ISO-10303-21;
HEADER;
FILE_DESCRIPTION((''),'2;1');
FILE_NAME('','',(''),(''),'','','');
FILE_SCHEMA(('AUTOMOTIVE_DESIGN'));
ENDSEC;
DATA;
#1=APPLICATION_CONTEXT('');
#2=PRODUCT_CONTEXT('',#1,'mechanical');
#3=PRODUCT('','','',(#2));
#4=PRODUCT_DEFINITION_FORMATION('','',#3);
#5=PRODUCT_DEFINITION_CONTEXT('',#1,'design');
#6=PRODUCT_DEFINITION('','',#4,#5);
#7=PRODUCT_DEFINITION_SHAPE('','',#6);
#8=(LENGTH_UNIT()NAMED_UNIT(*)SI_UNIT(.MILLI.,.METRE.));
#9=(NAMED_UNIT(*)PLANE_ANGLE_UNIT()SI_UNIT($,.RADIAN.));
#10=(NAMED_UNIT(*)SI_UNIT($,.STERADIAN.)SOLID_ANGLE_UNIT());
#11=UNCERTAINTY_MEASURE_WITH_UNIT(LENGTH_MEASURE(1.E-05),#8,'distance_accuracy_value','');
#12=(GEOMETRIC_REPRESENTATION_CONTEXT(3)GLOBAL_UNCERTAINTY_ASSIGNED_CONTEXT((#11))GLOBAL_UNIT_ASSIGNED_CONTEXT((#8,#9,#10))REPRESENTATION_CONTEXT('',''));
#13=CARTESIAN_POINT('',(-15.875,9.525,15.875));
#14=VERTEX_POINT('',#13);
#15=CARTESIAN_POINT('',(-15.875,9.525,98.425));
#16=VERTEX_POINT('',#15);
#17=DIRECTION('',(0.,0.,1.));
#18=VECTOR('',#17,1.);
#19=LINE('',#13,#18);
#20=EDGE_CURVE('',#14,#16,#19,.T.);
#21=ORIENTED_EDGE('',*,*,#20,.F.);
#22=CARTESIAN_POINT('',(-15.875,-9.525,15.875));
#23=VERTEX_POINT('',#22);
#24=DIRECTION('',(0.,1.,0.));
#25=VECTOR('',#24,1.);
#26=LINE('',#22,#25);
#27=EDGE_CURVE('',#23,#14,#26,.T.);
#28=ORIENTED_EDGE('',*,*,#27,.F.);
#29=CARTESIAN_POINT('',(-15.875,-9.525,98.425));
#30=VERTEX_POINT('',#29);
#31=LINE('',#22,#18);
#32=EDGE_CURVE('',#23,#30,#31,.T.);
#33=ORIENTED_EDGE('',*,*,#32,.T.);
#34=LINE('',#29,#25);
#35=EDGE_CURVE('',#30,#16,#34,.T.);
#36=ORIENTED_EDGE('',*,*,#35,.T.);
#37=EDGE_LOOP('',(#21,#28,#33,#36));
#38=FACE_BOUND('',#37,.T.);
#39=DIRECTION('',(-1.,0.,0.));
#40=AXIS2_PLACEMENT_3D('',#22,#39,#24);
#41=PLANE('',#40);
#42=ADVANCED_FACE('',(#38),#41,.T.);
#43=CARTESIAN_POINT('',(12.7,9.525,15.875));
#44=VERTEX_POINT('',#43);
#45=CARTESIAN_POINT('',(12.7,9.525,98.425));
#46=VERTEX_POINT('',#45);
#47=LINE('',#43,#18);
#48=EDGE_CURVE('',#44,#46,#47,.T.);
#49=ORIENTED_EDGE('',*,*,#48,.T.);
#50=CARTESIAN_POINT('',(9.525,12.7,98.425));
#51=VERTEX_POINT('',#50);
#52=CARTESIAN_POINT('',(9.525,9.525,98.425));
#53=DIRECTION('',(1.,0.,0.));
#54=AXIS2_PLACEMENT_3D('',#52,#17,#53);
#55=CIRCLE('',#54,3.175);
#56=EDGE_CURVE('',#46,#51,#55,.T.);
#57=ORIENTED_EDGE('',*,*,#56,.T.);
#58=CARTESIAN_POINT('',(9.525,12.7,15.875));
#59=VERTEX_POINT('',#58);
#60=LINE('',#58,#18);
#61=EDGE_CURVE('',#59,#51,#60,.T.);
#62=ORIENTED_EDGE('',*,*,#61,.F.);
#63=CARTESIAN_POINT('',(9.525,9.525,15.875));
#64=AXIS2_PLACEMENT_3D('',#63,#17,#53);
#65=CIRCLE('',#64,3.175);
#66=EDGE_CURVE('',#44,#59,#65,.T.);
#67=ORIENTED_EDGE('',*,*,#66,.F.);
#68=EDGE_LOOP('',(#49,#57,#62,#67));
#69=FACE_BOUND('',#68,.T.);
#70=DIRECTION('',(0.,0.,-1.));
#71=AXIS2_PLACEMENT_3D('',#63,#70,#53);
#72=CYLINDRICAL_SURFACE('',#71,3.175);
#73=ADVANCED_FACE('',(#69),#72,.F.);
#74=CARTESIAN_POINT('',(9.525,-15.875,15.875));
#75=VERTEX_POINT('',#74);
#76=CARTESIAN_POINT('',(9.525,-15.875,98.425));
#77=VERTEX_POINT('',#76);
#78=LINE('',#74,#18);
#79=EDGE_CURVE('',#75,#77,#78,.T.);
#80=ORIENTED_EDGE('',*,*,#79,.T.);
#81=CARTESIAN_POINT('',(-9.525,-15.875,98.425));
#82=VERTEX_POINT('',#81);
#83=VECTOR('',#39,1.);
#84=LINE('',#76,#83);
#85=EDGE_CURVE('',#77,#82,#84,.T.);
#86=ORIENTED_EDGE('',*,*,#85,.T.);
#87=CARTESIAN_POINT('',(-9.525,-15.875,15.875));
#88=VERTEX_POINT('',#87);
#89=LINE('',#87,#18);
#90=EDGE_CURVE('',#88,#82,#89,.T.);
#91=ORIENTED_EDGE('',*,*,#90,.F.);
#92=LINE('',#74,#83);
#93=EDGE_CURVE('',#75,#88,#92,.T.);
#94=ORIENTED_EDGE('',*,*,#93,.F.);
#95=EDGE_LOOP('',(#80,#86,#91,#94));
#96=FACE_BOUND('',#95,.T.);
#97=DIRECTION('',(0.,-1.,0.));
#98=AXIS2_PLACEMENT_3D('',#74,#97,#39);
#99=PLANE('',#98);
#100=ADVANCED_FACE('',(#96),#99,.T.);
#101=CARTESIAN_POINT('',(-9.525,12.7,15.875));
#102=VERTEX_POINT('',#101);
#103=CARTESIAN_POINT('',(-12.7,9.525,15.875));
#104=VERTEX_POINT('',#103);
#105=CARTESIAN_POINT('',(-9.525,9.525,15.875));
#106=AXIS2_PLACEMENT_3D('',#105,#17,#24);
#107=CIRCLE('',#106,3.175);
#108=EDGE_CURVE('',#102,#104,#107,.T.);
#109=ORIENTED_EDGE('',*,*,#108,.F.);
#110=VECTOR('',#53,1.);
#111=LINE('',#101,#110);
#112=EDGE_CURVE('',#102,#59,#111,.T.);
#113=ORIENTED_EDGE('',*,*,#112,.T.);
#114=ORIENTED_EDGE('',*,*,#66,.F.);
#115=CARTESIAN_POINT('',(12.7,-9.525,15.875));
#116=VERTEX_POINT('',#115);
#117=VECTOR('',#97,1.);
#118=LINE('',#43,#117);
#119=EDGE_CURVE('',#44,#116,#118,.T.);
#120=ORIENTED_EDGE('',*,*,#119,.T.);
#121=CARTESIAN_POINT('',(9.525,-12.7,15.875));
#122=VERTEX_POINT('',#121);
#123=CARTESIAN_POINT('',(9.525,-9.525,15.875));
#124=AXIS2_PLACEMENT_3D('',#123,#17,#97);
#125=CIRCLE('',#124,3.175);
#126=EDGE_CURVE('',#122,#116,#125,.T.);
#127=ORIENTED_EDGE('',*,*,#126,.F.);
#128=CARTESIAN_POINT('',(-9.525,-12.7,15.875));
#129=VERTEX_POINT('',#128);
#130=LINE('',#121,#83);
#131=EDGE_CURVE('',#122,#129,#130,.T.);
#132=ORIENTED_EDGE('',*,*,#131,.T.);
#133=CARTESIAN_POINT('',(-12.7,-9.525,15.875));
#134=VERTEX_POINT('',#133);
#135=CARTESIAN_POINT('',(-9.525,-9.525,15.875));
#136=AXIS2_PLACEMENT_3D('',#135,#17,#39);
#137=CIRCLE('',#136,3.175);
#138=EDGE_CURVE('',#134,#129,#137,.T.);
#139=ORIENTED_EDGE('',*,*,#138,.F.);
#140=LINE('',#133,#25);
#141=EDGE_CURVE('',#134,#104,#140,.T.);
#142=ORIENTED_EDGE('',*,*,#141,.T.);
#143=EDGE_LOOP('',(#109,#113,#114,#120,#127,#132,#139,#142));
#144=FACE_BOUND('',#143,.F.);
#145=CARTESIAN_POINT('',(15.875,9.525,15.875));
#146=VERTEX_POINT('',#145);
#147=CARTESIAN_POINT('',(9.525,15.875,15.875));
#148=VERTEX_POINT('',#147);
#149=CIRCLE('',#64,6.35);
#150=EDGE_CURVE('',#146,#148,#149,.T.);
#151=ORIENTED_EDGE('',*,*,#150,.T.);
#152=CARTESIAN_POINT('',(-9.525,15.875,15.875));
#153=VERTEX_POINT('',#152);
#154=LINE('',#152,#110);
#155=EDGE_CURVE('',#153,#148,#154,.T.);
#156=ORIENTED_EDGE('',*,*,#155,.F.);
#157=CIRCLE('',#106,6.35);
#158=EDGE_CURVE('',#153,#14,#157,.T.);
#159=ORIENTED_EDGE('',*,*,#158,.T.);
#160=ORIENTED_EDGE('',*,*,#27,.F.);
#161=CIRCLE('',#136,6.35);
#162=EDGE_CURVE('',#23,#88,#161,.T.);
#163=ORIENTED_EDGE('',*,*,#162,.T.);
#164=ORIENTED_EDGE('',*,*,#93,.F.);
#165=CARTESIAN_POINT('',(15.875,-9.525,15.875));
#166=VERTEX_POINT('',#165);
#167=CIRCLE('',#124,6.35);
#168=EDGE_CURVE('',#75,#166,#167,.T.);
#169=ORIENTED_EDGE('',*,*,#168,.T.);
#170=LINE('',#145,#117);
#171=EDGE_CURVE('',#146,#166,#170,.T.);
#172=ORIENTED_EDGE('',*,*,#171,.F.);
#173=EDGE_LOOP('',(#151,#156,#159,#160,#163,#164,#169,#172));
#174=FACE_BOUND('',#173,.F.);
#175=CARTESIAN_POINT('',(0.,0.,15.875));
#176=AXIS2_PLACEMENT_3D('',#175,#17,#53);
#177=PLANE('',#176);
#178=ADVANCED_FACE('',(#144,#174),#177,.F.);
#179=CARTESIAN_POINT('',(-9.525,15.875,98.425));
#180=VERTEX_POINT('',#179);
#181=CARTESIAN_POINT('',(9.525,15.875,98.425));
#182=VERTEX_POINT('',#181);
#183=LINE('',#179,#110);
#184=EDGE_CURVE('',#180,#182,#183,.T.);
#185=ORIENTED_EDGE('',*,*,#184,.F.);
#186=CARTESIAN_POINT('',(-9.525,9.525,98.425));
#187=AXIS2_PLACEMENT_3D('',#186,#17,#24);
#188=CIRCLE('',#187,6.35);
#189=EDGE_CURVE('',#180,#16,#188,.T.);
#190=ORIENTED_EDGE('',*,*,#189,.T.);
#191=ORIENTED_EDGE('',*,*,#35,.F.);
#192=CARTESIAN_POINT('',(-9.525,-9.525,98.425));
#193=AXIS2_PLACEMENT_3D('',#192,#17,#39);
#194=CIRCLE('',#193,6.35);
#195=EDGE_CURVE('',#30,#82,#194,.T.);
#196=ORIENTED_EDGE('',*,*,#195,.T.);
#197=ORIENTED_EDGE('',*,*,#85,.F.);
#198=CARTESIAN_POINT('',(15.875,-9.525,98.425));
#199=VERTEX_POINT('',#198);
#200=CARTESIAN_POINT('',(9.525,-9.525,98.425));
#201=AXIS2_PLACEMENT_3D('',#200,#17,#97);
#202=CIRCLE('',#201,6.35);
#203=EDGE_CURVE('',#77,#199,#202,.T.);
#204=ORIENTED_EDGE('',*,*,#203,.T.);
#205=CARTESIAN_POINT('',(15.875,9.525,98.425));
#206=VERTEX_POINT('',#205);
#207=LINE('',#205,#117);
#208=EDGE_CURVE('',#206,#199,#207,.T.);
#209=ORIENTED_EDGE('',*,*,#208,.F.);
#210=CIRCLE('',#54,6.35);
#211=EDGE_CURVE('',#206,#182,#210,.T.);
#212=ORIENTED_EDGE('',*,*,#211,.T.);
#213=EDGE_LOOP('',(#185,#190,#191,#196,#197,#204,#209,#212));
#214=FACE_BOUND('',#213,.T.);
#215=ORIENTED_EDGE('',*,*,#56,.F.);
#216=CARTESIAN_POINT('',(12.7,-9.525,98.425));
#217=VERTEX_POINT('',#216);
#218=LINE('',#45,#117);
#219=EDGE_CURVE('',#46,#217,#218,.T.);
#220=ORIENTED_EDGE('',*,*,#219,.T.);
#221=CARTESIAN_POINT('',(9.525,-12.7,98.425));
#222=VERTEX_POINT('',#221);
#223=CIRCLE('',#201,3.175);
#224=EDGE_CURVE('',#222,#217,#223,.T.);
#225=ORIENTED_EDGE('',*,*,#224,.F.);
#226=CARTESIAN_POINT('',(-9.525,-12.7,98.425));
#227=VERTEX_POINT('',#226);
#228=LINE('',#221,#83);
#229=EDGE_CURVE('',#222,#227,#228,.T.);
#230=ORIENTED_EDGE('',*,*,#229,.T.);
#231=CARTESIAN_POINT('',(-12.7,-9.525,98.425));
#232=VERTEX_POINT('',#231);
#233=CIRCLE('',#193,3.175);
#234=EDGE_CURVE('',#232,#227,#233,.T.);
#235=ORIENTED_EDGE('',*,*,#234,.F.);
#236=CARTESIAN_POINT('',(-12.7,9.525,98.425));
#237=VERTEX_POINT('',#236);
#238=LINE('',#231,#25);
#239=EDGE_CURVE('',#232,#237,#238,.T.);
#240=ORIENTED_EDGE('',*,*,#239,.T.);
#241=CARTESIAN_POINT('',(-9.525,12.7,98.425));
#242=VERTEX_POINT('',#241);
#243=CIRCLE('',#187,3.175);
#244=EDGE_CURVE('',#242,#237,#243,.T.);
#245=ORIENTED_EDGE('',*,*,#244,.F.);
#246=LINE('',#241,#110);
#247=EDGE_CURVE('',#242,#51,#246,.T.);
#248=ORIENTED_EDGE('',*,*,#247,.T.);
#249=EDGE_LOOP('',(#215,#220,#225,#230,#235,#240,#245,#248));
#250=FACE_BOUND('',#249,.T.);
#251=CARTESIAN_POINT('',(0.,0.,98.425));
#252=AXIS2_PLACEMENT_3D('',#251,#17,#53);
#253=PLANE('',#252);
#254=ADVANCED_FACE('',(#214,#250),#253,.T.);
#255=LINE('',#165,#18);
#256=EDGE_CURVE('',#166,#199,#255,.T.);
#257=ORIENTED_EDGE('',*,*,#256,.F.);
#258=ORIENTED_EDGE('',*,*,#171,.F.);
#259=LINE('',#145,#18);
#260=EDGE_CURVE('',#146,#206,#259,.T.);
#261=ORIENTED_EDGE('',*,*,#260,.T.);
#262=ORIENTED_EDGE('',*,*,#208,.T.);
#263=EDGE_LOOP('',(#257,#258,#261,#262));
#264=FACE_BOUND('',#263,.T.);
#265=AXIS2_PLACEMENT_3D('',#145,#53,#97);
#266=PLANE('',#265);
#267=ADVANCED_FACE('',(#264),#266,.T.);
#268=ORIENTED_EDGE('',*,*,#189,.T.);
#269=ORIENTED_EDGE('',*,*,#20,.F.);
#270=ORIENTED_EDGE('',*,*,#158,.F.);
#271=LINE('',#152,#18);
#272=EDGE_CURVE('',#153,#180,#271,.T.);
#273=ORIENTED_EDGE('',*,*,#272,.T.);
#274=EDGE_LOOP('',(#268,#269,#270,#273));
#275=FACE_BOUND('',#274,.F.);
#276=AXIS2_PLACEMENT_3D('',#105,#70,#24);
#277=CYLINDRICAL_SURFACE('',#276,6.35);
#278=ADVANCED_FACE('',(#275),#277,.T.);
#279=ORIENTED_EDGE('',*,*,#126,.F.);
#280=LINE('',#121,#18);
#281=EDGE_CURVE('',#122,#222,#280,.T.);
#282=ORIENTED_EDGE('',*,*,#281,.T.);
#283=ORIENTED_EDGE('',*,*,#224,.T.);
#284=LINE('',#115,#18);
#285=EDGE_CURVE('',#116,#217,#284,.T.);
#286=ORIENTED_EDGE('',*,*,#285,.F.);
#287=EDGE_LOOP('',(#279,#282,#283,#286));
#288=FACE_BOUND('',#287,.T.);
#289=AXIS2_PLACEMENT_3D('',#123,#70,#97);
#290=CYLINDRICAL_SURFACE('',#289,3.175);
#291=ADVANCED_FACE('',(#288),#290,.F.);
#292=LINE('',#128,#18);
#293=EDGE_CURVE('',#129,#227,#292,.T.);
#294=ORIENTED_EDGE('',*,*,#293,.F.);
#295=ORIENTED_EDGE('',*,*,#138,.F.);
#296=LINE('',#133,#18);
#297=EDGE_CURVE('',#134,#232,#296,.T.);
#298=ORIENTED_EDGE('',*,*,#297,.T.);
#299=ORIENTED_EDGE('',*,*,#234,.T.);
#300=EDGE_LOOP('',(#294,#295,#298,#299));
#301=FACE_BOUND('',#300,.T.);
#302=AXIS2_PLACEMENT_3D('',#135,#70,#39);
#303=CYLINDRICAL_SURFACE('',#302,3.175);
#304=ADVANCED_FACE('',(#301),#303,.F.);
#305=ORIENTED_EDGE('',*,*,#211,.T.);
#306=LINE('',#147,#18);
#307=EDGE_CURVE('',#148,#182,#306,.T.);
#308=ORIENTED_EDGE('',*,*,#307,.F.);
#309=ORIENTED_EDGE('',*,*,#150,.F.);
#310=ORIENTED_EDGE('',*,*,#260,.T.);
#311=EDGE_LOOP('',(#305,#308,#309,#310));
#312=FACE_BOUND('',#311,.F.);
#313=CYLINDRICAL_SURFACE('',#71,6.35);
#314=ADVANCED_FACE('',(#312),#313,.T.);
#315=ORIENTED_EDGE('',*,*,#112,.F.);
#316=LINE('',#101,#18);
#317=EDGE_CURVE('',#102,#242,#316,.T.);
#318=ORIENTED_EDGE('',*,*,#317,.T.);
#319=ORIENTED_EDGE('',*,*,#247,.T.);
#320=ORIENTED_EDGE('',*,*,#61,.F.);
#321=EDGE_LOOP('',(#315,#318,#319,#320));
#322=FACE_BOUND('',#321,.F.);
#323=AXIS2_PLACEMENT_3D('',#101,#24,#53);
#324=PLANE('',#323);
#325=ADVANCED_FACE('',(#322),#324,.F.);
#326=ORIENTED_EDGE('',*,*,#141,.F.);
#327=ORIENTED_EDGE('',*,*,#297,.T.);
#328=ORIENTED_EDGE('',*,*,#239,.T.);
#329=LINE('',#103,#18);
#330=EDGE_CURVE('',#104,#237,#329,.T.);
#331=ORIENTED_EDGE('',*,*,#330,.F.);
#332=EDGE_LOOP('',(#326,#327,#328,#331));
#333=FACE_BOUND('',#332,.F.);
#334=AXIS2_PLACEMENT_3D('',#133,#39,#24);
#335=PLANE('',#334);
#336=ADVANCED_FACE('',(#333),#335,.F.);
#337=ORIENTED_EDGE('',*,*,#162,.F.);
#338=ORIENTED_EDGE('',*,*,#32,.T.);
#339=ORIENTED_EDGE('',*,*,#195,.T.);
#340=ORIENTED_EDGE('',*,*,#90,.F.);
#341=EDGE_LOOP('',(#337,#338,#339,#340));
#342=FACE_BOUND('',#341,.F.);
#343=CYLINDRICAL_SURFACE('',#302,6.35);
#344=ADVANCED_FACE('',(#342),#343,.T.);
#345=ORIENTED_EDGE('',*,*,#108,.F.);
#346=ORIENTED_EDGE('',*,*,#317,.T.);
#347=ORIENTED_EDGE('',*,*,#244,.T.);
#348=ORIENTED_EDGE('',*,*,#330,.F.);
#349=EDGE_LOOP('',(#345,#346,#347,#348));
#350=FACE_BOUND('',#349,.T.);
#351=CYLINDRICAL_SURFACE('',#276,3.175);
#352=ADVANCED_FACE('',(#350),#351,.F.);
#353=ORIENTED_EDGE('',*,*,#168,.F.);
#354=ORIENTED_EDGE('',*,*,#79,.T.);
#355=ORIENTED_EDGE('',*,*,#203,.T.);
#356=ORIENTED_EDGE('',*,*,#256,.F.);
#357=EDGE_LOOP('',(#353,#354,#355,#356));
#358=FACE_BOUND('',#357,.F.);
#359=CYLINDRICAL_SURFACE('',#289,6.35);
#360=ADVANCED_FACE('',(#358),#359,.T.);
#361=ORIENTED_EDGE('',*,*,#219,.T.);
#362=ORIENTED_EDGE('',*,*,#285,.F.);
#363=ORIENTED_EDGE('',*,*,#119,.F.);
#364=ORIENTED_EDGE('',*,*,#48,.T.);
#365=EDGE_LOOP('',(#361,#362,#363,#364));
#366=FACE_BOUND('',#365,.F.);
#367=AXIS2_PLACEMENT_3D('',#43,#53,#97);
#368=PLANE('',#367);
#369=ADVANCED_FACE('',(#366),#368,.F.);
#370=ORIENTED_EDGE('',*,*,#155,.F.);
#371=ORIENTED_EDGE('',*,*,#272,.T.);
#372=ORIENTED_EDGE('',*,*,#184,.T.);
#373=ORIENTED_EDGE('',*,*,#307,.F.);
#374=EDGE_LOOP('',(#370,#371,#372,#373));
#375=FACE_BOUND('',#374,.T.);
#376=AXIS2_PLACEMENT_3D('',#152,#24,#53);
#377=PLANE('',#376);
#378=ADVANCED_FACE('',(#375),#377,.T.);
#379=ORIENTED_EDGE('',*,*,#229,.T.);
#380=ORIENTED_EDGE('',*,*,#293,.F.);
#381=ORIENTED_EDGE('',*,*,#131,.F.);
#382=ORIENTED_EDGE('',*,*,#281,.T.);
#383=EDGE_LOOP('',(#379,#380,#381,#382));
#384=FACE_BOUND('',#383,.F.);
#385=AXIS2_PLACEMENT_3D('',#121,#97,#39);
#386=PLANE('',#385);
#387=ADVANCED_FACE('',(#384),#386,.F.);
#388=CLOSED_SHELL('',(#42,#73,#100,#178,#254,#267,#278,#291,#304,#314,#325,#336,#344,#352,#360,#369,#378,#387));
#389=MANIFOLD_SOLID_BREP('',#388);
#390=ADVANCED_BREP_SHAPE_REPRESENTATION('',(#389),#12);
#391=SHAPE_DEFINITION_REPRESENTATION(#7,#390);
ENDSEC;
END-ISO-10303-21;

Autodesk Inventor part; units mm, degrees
ref_plane "Start plane" through (0, 0, 15.875) normal (0, 0, 1) x (1, 0, 0)
ref_plane "End plane" through (0, 0, 98.425) normal (0, 0, 1) x (1, 0, 0)
sketch "Sketch" plane through (0, 0, 0) normal (0, 0, 1) x (1, 0, 0)
  line L0 (-15.875, -9.525) -> (-15.875, 9.525)
  line L1 (-9.525, 15.875) -> (9.525, 15.875)
  line L2 (15.875, 9.525) -> (15.875, -9.525)
  line L3 (9.525, -15.875) -> (-9.525, -15.875)
  arc A0 (-15.875, -9.525) -> (-9.525, -15.875) centre (-9.525, -9.525) ccw
  arc A1 (-9.525, 15.875) -> (-15.875, 9.525) centre (-9.525, 9.525) ccw
  arc A2 (15.875, 9.525) -> (9.525, 15.875) centre (9.525, 9.525) ccw
  arc A3 (9.525, -15.875) -> (15.875, -9.525) centre (9.525, -9.525) ccw
  arc A4 (-9.525, 12.7) -> (-12.7, 9.525) centre (-9.525, 9.525) ccw
  line L4 (-9.525, 12.7) -> (9.525, 12.7)
  arc A5 (12.7, 9.525) -> (9.525, 12.7) centre (9.525, 9.525) ccw
  line L5 (12.7, 9.525) -> (12.7, -9.525)
  arc A6 (9.525, -12.7) -> (12.7, -9.525) centre (9.525, -9.525) ccw
  line L6 (9.525, -12.7) -> (-9.525, -12.7)
  arc A7 (-12.7, -9.525) -> (-9.525, -12.7) centre (-9.525, -9.525) ccw
  line L7 (-12.7, -9.525) -> (-12.7, 9.525)
  line L8 (0, 24.0662) -> (0, -24.0662) construction
  line L9 (-24.0662, 0) -> (24.0662, 0) construction
  dimension "d10" = 31.75
  dimension "d11" = 31.75
  dimension "d12" = 3.175
  dimension "d15" = 15.875
  dimension "d16" = 15.875
  dimension "d17" = 6.35
extrude "Body" add sketch "Sketch" along normal up to surface (82.55 mm away) from surface at 15.875
sketch "Sketch3" plane through (0, 0, 0) normal (0, 0, 1) x (1, 0, 0)
  line L0 (0, 0) -> (10, 0)
ref_plane "Work Plane3" through (0, 0, 0) normal (0, -1, 0) x (1, 0, 0)
sketch "Sketch4" plane through (0, 0, 0) normal (0, -1, 0) x (1, 0, 0)
  line L0 (-2, 15.875) -> (12, 15.875)
  line L1 (-2, 98.425) -> (12, 98.425)
  dimension "d19" = 82.55
ref_plane "Work Plane4" through (9.525, -609.6, 15.875) normal (0, 0, -1) x (-1, 0, 0)
split "Split1" plane through (9.525, -609.6, 15.875) removes the side toward (0, 0, -1)
ref_plane "Work Plane5" through (9.525, 0, 98.425) normal (0, 0, 1) x (1, 0, 0)
split "Split2" plane through (9.525, 0, 98.425) removes the side toward (0, 0, 1)
equation "\"d10\" = G_H"
equation "\"d11\" = G_W"
equation "\"d12\" = G_T"
equation "\"d15\" = 0.5 * d10"
equation "\"d16\" = 0.5 * d11"
equation "\"d17\" = G_IR"
equation "\"d3\" = G_L"
equation "\"G_W\" = 31.75"
equation "\"G_H\" = 31.75"
equation "\"G_T\" = 3.175"
equation "\"G_IR\" = 6.35"
equation "\"G_L\" = d19"
equation "\"G_OFFSET_START\" = -15.875"
equation "\"G_OFFSET_END\" = -15.875"
equation "\"d13\" = -G_OFFSET_START"
equation "\"d14\" = G_OFFSET_END + B_L"
equation "\"B_L\" = 114.3"
properties part number "AISC HSS - 1-1/4x1-1/4x1/8 - 3.25" material "Steel, Mild"
